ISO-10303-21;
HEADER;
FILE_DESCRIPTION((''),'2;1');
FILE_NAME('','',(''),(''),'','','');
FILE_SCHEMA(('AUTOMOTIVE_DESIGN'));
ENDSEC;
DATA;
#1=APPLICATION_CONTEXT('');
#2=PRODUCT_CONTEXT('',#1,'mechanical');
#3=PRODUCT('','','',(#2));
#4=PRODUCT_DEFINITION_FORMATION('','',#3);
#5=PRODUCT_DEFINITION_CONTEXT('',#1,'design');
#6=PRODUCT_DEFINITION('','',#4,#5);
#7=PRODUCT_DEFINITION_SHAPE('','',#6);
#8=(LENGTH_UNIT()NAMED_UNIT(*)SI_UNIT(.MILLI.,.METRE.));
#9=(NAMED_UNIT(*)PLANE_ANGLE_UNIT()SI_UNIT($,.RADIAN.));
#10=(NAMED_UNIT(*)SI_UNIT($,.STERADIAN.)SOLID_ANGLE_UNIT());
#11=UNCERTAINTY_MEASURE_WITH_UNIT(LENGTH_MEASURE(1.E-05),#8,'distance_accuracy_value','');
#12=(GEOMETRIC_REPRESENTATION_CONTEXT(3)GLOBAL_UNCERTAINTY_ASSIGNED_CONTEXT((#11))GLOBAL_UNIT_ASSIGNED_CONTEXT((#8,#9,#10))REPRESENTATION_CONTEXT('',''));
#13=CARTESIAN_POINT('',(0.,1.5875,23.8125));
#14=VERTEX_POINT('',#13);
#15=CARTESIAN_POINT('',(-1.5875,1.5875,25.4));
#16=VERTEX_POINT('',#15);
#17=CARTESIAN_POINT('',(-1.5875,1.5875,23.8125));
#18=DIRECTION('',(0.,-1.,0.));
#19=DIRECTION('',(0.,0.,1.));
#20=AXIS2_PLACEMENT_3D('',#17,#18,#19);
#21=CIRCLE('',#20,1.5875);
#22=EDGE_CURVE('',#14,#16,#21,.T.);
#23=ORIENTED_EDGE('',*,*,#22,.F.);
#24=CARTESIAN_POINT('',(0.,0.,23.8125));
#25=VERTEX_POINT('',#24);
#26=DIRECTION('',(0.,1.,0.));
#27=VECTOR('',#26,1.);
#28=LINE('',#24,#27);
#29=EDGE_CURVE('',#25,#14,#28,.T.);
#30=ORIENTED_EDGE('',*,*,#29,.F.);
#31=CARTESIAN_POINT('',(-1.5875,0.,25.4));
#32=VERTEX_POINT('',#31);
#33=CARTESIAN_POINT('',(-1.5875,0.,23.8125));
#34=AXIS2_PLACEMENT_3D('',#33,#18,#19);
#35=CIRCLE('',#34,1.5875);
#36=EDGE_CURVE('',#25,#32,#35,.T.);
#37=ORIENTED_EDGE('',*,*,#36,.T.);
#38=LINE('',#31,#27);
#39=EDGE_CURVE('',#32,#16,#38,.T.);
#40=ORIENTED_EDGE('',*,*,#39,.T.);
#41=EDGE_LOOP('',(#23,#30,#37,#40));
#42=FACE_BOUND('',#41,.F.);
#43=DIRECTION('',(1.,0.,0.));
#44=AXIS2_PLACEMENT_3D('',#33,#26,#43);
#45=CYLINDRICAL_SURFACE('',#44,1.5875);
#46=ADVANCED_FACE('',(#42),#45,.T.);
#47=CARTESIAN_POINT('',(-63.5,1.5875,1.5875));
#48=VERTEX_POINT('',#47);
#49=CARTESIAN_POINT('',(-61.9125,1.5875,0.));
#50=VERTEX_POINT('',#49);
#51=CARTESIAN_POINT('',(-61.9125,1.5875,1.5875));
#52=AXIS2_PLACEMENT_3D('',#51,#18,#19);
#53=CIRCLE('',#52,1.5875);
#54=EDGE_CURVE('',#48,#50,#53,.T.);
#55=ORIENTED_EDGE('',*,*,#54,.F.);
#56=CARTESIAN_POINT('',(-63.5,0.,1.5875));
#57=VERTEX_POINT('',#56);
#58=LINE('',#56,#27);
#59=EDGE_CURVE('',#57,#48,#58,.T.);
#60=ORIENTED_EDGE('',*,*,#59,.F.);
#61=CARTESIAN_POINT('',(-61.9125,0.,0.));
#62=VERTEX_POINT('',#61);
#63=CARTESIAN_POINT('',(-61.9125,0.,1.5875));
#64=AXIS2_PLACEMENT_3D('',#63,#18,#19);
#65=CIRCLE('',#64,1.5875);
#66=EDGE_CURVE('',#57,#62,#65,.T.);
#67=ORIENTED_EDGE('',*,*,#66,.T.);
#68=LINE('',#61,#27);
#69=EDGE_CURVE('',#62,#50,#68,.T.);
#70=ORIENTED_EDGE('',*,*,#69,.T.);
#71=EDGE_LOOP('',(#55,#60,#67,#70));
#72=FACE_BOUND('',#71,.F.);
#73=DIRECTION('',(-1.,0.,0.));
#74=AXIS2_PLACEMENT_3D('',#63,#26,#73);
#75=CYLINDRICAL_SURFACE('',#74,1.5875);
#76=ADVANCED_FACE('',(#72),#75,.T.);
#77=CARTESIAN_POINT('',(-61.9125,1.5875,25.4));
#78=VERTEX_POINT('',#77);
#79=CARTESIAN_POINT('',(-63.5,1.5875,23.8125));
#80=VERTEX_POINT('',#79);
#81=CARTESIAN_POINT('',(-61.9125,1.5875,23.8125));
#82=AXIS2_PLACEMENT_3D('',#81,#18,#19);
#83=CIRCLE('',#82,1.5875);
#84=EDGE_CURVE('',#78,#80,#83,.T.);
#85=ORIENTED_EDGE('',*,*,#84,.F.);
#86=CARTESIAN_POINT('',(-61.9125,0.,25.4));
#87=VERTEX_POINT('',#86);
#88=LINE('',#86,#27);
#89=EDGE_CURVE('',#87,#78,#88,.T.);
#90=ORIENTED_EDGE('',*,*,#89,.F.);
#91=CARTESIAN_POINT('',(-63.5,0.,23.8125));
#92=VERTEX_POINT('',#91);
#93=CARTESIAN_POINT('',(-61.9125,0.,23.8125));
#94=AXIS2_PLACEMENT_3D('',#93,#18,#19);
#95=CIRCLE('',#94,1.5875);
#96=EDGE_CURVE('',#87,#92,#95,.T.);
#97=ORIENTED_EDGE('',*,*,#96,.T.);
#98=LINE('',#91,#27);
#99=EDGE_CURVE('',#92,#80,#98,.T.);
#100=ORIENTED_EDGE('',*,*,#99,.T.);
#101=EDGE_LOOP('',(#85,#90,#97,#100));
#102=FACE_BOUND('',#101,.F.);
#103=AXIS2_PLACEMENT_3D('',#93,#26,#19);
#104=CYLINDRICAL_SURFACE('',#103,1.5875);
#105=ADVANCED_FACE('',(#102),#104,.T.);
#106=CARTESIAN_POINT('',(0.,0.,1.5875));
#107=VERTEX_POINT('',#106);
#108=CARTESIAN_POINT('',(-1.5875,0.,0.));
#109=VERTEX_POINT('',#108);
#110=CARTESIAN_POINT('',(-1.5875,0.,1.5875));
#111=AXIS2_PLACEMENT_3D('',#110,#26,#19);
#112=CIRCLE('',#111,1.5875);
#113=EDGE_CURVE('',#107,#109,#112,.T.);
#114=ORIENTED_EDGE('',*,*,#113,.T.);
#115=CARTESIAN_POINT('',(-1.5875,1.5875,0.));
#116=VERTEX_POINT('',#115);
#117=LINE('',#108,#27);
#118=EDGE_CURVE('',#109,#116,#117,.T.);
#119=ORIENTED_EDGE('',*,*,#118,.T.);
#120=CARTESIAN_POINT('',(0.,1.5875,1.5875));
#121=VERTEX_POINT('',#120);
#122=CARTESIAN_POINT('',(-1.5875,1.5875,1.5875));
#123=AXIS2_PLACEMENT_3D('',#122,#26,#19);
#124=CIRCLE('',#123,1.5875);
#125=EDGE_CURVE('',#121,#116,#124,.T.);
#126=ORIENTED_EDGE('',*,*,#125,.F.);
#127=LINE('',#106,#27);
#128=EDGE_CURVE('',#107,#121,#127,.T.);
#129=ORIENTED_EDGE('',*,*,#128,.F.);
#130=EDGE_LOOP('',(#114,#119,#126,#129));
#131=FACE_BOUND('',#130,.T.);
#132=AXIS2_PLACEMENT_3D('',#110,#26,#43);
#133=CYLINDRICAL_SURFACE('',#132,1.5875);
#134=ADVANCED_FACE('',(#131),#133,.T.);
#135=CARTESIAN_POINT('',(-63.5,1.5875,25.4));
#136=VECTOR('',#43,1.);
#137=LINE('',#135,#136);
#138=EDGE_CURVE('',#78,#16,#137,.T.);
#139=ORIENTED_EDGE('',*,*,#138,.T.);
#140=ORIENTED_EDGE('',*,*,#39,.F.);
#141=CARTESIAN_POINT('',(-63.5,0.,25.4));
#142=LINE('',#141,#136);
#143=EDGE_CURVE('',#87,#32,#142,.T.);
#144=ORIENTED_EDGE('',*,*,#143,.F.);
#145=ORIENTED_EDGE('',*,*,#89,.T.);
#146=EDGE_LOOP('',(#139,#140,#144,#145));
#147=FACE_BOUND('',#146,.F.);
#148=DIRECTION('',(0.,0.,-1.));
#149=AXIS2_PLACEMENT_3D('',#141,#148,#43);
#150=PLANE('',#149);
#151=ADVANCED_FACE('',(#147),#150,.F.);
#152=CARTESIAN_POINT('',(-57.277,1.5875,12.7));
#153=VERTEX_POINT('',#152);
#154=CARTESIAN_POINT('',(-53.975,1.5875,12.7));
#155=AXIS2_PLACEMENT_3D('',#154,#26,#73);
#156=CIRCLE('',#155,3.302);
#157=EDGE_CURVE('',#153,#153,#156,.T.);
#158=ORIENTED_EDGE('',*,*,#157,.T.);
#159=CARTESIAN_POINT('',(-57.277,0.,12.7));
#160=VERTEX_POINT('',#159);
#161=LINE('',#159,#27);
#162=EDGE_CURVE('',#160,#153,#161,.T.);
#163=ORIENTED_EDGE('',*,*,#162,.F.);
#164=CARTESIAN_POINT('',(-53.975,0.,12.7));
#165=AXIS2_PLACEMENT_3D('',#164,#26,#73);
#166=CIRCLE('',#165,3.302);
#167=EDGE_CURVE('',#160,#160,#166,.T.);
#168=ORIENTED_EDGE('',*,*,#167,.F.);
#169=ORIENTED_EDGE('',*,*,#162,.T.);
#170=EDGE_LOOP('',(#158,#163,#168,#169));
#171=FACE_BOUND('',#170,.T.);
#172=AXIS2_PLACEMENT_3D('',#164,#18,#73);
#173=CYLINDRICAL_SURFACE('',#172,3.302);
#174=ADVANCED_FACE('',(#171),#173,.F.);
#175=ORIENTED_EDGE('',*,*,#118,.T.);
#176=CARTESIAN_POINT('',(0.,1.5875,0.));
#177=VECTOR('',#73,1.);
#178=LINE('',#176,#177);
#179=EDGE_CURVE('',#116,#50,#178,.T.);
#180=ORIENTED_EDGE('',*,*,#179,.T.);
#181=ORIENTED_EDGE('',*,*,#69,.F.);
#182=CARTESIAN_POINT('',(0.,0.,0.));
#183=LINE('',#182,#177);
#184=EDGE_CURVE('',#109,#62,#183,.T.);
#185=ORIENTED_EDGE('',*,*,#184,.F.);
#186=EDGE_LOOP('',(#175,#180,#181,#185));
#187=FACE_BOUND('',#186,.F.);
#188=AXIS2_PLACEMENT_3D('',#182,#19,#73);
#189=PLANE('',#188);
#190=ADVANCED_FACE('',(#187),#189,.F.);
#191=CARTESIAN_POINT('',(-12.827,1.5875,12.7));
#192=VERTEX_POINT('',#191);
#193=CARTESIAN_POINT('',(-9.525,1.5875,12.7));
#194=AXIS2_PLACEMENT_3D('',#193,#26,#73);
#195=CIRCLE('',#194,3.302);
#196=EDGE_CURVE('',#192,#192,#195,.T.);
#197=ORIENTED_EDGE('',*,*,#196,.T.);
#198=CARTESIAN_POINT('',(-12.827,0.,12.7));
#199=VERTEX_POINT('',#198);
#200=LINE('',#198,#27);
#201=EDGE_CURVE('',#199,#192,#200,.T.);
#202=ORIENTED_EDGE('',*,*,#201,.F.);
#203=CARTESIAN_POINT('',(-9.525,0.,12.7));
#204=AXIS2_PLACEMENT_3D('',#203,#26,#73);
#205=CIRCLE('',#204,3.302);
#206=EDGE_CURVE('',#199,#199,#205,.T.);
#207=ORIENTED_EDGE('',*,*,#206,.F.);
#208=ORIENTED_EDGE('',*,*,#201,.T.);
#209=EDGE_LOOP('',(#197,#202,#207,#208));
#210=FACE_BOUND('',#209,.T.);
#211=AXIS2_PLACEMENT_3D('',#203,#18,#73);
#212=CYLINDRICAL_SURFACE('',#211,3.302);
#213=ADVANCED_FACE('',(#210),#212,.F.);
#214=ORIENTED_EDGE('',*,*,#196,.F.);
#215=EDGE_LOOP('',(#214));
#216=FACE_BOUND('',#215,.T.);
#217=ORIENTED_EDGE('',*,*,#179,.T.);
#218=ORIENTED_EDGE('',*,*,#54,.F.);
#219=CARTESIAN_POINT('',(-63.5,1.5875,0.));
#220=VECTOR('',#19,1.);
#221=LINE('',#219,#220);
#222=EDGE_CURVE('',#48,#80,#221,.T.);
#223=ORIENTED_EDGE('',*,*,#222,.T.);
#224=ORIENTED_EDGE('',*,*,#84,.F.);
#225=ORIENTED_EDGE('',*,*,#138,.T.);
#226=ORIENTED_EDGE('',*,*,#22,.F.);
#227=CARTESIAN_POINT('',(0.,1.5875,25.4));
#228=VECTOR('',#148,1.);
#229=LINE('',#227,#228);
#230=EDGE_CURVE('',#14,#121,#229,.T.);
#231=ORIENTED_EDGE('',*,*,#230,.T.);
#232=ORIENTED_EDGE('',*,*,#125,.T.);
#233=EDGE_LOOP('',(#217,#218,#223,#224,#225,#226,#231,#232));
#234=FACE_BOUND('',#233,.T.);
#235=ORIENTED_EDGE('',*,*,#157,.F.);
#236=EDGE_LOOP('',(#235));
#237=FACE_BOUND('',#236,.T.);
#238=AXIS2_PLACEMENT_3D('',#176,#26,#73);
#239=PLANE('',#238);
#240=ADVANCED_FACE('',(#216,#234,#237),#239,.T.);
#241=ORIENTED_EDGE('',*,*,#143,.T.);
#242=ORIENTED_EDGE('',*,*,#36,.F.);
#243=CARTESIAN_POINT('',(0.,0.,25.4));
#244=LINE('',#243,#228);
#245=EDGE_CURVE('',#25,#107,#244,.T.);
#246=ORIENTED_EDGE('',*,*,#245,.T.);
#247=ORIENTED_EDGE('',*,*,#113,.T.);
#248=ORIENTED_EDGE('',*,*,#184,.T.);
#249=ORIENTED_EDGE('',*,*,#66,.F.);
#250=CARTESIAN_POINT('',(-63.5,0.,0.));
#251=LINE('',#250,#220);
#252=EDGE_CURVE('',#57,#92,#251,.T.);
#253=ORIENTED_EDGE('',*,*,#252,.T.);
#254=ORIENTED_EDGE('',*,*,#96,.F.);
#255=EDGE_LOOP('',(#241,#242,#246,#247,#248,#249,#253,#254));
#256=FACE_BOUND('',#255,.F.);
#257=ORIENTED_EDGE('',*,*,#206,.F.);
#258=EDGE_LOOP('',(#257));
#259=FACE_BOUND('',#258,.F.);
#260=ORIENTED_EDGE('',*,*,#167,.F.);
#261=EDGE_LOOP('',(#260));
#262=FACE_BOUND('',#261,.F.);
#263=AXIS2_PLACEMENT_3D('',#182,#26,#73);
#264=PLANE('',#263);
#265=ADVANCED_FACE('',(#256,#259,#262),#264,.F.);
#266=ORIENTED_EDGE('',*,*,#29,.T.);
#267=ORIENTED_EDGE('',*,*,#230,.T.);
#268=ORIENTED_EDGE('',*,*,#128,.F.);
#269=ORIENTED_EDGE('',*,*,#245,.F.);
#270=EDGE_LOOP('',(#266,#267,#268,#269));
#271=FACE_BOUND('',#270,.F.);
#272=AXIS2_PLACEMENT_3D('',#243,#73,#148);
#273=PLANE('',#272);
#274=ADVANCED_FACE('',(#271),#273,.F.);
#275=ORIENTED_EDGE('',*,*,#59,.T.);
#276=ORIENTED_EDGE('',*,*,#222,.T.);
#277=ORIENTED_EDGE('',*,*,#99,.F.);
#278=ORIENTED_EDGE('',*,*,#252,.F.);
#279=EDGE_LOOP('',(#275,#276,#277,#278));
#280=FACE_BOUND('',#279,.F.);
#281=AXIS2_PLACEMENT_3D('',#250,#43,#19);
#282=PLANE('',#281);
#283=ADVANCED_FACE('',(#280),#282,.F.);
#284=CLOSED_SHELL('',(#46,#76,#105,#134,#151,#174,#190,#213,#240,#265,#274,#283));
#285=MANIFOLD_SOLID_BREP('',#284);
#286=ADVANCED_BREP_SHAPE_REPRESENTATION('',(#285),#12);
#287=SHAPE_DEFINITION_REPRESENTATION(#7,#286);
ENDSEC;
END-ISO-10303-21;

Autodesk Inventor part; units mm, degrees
ref_plane "YZ Plane" through (0, 0, 0) normal (1, 0, 0) x (0, 1, 0)
ref_plane "XZ Plane" through (0, 0, 0) normal (0, 1, 0) x (-1, 0, 0)
ref_plane "XY Plane" through (0, 0, 0) normal (0, 0, 1) x (1, 0, 0)
sketch "Sketch1" plane through (0, 0, 0) normal (0, 1, 0) x (-1, 0, 0)
  line L0 (0, 0) -> (63.5, 0)
  line L1 (63.5, 0) -> (63.5, 25.4)
  line L2 (63.5, 25.4) -> (0, 25.4)
  line L3 (0, 25.4) -> (0, 0)
  circle A0 centre (9.525, 12.7) radius 3.302
  circle A1 centre (53.975, 12.7) radius 3.302
  line L4 (9.525, 12.7) -> (53.975, 12.7) construction
  line L5 (31.75, 25.4) -> (31.75, 0) construction
  point P0 (31.75, 12.7)
  dimension "d0" = 63.5
  dimension "d2" = 25.4
  dimension "d3" = 44.45
  dimension "d4" = 6.604
extrude "Extrusion1" add sketch "Sketch1" along normal blind 1.5875
fillet "Fillet1" radius 1.5875 4 edges at (0, 0.7937, 25.4) (0, 0.7937, 0) (-63.5, 0.7937, 0) (-63.5, 0.7937, 25.4)
properties part number "Wheel Drop Down Plate" material "Aluminum 6061"
